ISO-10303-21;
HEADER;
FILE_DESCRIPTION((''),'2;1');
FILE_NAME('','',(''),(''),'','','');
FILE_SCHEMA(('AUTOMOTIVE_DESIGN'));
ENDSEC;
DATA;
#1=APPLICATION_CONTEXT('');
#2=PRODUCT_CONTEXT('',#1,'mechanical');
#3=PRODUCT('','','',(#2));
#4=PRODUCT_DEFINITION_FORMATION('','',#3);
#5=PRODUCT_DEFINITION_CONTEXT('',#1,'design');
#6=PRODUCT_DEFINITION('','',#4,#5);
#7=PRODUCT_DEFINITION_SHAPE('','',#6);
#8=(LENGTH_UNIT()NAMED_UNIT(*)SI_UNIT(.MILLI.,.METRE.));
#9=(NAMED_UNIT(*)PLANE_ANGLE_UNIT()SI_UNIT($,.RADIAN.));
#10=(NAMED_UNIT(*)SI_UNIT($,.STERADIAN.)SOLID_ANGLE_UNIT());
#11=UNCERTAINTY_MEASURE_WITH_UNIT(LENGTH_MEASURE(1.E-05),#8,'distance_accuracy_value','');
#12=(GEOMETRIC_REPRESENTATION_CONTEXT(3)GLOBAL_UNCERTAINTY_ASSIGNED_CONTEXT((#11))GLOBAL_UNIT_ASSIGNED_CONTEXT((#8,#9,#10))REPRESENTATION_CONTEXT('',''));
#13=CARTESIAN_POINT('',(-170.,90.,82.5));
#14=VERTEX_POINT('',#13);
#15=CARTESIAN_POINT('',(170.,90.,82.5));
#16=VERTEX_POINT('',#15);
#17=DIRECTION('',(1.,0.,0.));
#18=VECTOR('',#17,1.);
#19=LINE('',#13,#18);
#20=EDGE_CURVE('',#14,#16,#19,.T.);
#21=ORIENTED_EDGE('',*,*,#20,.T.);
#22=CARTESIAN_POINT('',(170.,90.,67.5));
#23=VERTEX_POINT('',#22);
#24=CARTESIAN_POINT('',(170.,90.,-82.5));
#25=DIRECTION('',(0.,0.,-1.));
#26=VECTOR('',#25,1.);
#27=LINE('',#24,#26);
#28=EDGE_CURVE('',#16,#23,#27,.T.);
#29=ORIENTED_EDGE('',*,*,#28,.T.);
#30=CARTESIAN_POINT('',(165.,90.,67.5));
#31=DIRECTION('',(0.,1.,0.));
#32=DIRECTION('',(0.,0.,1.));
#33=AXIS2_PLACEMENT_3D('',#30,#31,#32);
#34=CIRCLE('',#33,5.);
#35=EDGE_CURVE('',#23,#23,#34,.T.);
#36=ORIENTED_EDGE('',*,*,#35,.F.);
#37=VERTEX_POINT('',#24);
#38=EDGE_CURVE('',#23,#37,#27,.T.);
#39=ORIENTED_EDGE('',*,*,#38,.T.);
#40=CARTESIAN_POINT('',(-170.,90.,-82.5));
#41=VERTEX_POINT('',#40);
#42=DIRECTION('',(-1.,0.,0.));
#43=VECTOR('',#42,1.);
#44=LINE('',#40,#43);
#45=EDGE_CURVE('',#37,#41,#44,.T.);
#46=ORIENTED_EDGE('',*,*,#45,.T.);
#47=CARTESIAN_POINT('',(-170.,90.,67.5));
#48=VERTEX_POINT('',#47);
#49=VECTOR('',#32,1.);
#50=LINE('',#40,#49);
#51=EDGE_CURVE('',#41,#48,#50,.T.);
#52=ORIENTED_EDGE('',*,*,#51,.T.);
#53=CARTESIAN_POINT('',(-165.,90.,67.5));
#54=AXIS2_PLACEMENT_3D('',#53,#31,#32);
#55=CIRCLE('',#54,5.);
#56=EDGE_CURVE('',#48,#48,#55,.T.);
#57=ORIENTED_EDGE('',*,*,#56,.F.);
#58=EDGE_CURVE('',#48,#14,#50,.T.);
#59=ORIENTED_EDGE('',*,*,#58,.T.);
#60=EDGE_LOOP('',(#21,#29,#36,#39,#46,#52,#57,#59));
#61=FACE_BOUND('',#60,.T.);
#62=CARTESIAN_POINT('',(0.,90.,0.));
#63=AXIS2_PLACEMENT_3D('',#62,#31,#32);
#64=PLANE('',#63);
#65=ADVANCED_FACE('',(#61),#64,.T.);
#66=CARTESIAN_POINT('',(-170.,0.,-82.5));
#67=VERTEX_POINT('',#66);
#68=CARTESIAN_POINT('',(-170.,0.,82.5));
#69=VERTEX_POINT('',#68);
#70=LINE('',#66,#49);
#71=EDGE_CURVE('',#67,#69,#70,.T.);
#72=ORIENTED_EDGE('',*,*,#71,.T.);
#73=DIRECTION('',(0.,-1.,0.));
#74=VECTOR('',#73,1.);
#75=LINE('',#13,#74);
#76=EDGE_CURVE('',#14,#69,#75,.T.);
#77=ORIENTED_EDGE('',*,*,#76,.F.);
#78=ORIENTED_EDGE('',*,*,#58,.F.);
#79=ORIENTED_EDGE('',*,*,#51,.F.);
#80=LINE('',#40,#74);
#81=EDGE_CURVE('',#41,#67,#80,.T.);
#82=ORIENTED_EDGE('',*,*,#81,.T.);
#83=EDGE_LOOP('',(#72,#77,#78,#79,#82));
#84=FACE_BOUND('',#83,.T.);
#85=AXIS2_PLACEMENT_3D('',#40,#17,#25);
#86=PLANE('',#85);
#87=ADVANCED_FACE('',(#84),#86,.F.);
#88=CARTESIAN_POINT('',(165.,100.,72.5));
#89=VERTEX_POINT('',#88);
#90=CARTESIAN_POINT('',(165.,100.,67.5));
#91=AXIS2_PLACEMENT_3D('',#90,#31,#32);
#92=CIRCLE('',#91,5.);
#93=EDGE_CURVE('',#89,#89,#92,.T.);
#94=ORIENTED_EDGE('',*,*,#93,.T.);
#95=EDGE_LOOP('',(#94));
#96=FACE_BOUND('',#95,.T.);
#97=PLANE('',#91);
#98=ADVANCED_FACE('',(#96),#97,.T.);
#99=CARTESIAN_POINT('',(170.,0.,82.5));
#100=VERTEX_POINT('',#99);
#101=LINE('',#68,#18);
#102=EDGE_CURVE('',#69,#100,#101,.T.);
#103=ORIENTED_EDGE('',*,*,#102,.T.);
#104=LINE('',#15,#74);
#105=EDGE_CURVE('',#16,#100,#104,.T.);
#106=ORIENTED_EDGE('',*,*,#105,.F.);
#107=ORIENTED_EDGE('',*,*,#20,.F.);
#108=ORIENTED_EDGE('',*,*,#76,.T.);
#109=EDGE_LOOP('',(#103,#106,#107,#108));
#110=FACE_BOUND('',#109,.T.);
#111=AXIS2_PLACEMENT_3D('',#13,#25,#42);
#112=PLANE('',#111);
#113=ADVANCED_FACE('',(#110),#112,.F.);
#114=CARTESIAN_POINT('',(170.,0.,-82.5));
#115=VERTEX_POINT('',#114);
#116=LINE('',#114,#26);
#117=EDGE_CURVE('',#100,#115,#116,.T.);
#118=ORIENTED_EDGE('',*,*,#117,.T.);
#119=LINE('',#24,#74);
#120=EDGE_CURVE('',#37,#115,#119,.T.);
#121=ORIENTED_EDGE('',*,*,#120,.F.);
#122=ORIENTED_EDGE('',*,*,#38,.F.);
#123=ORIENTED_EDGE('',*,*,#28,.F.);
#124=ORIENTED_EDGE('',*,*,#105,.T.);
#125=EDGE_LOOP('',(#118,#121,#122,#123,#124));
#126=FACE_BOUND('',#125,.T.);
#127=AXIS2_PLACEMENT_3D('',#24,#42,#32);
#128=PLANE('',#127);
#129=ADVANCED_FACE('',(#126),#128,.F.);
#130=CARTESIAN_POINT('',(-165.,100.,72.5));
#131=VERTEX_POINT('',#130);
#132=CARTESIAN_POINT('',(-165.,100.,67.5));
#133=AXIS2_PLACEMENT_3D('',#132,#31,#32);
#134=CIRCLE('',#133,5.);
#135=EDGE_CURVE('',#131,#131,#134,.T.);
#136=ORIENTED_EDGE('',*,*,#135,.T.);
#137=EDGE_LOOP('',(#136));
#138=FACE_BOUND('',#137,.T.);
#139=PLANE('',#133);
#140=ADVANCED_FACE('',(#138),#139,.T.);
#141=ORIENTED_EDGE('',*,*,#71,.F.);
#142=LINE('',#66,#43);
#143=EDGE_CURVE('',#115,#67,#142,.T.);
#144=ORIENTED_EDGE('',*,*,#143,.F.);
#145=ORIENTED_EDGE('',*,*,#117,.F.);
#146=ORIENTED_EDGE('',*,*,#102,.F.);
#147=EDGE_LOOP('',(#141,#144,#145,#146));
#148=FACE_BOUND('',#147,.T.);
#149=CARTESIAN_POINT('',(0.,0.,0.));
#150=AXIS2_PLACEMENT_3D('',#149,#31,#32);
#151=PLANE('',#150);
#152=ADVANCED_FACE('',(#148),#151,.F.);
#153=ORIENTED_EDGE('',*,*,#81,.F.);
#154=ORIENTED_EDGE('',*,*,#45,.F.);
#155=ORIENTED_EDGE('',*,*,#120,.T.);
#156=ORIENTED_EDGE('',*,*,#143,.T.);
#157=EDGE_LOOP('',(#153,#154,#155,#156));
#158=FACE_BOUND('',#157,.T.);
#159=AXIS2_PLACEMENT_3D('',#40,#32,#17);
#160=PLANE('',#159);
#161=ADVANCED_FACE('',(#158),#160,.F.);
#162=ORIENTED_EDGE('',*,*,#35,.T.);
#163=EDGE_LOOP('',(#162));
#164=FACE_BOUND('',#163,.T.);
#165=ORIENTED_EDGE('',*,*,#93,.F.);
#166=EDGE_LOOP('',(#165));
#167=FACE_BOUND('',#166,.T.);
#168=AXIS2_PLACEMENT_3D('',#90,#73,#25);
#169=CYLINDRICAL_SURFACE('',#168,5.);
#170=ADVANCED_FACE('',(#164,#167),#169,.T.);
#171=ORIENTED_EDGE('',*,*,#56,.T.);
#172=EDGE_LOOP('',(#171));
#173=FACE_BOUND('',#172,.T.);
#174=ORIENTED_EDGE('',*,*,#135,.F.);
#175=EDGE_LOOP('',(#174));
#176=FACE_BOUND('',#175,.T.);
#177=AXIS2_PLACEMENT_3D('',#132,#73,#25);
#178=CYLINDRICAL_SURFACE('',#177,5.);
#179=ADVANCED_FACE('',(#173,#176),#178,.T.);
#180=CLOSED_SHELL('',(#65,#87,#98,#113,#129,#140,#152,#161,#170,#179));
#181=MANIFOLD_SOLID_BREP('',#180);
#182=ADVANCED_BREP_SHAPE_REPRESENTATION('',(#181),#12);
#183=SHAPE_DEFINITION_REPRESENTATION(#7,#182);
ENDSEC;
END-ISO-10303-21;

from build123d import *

# Parameters (mm, degrees)
SKETCH1_W           = 340
SKETCH1_H           = 165
BOSS_EXTRUDE1_DEPTH = 90
SKETCH2_R           = 5
BOSS_EXTRUDE2_DEPTH = 10


with BuildPart() as part:
    # Sketch1 → Boss-Extrude1 (new body)
    with BuildSketch(Plane(origin=(0, 0, 0), x_dir=(1, 0, 0), z_dir=(0, 1, 0))):
        Rectangle(SKETCH1_W, SKETCH1_H)
    extrude(amount=BOSS_EXTRUDE1_DEPTH)

    # Sketch2 → Boss-Extrude2 (add)
    with BuildSketch(Plane(origin=(0, 90, 0), x_dir=(1, 0, 0), z_dir=(0, 1, 0))):
        with Locations(Location((-165, -67.5, 0), (0, 0, 180))):
            Circle(SKETCH2_R)
        with Locations((165, -67.5)):
            Circle(SKETCH2_R)
    extrude(amount=BOSS_EXTRUDE2_DEPTH)


solid = part.part
